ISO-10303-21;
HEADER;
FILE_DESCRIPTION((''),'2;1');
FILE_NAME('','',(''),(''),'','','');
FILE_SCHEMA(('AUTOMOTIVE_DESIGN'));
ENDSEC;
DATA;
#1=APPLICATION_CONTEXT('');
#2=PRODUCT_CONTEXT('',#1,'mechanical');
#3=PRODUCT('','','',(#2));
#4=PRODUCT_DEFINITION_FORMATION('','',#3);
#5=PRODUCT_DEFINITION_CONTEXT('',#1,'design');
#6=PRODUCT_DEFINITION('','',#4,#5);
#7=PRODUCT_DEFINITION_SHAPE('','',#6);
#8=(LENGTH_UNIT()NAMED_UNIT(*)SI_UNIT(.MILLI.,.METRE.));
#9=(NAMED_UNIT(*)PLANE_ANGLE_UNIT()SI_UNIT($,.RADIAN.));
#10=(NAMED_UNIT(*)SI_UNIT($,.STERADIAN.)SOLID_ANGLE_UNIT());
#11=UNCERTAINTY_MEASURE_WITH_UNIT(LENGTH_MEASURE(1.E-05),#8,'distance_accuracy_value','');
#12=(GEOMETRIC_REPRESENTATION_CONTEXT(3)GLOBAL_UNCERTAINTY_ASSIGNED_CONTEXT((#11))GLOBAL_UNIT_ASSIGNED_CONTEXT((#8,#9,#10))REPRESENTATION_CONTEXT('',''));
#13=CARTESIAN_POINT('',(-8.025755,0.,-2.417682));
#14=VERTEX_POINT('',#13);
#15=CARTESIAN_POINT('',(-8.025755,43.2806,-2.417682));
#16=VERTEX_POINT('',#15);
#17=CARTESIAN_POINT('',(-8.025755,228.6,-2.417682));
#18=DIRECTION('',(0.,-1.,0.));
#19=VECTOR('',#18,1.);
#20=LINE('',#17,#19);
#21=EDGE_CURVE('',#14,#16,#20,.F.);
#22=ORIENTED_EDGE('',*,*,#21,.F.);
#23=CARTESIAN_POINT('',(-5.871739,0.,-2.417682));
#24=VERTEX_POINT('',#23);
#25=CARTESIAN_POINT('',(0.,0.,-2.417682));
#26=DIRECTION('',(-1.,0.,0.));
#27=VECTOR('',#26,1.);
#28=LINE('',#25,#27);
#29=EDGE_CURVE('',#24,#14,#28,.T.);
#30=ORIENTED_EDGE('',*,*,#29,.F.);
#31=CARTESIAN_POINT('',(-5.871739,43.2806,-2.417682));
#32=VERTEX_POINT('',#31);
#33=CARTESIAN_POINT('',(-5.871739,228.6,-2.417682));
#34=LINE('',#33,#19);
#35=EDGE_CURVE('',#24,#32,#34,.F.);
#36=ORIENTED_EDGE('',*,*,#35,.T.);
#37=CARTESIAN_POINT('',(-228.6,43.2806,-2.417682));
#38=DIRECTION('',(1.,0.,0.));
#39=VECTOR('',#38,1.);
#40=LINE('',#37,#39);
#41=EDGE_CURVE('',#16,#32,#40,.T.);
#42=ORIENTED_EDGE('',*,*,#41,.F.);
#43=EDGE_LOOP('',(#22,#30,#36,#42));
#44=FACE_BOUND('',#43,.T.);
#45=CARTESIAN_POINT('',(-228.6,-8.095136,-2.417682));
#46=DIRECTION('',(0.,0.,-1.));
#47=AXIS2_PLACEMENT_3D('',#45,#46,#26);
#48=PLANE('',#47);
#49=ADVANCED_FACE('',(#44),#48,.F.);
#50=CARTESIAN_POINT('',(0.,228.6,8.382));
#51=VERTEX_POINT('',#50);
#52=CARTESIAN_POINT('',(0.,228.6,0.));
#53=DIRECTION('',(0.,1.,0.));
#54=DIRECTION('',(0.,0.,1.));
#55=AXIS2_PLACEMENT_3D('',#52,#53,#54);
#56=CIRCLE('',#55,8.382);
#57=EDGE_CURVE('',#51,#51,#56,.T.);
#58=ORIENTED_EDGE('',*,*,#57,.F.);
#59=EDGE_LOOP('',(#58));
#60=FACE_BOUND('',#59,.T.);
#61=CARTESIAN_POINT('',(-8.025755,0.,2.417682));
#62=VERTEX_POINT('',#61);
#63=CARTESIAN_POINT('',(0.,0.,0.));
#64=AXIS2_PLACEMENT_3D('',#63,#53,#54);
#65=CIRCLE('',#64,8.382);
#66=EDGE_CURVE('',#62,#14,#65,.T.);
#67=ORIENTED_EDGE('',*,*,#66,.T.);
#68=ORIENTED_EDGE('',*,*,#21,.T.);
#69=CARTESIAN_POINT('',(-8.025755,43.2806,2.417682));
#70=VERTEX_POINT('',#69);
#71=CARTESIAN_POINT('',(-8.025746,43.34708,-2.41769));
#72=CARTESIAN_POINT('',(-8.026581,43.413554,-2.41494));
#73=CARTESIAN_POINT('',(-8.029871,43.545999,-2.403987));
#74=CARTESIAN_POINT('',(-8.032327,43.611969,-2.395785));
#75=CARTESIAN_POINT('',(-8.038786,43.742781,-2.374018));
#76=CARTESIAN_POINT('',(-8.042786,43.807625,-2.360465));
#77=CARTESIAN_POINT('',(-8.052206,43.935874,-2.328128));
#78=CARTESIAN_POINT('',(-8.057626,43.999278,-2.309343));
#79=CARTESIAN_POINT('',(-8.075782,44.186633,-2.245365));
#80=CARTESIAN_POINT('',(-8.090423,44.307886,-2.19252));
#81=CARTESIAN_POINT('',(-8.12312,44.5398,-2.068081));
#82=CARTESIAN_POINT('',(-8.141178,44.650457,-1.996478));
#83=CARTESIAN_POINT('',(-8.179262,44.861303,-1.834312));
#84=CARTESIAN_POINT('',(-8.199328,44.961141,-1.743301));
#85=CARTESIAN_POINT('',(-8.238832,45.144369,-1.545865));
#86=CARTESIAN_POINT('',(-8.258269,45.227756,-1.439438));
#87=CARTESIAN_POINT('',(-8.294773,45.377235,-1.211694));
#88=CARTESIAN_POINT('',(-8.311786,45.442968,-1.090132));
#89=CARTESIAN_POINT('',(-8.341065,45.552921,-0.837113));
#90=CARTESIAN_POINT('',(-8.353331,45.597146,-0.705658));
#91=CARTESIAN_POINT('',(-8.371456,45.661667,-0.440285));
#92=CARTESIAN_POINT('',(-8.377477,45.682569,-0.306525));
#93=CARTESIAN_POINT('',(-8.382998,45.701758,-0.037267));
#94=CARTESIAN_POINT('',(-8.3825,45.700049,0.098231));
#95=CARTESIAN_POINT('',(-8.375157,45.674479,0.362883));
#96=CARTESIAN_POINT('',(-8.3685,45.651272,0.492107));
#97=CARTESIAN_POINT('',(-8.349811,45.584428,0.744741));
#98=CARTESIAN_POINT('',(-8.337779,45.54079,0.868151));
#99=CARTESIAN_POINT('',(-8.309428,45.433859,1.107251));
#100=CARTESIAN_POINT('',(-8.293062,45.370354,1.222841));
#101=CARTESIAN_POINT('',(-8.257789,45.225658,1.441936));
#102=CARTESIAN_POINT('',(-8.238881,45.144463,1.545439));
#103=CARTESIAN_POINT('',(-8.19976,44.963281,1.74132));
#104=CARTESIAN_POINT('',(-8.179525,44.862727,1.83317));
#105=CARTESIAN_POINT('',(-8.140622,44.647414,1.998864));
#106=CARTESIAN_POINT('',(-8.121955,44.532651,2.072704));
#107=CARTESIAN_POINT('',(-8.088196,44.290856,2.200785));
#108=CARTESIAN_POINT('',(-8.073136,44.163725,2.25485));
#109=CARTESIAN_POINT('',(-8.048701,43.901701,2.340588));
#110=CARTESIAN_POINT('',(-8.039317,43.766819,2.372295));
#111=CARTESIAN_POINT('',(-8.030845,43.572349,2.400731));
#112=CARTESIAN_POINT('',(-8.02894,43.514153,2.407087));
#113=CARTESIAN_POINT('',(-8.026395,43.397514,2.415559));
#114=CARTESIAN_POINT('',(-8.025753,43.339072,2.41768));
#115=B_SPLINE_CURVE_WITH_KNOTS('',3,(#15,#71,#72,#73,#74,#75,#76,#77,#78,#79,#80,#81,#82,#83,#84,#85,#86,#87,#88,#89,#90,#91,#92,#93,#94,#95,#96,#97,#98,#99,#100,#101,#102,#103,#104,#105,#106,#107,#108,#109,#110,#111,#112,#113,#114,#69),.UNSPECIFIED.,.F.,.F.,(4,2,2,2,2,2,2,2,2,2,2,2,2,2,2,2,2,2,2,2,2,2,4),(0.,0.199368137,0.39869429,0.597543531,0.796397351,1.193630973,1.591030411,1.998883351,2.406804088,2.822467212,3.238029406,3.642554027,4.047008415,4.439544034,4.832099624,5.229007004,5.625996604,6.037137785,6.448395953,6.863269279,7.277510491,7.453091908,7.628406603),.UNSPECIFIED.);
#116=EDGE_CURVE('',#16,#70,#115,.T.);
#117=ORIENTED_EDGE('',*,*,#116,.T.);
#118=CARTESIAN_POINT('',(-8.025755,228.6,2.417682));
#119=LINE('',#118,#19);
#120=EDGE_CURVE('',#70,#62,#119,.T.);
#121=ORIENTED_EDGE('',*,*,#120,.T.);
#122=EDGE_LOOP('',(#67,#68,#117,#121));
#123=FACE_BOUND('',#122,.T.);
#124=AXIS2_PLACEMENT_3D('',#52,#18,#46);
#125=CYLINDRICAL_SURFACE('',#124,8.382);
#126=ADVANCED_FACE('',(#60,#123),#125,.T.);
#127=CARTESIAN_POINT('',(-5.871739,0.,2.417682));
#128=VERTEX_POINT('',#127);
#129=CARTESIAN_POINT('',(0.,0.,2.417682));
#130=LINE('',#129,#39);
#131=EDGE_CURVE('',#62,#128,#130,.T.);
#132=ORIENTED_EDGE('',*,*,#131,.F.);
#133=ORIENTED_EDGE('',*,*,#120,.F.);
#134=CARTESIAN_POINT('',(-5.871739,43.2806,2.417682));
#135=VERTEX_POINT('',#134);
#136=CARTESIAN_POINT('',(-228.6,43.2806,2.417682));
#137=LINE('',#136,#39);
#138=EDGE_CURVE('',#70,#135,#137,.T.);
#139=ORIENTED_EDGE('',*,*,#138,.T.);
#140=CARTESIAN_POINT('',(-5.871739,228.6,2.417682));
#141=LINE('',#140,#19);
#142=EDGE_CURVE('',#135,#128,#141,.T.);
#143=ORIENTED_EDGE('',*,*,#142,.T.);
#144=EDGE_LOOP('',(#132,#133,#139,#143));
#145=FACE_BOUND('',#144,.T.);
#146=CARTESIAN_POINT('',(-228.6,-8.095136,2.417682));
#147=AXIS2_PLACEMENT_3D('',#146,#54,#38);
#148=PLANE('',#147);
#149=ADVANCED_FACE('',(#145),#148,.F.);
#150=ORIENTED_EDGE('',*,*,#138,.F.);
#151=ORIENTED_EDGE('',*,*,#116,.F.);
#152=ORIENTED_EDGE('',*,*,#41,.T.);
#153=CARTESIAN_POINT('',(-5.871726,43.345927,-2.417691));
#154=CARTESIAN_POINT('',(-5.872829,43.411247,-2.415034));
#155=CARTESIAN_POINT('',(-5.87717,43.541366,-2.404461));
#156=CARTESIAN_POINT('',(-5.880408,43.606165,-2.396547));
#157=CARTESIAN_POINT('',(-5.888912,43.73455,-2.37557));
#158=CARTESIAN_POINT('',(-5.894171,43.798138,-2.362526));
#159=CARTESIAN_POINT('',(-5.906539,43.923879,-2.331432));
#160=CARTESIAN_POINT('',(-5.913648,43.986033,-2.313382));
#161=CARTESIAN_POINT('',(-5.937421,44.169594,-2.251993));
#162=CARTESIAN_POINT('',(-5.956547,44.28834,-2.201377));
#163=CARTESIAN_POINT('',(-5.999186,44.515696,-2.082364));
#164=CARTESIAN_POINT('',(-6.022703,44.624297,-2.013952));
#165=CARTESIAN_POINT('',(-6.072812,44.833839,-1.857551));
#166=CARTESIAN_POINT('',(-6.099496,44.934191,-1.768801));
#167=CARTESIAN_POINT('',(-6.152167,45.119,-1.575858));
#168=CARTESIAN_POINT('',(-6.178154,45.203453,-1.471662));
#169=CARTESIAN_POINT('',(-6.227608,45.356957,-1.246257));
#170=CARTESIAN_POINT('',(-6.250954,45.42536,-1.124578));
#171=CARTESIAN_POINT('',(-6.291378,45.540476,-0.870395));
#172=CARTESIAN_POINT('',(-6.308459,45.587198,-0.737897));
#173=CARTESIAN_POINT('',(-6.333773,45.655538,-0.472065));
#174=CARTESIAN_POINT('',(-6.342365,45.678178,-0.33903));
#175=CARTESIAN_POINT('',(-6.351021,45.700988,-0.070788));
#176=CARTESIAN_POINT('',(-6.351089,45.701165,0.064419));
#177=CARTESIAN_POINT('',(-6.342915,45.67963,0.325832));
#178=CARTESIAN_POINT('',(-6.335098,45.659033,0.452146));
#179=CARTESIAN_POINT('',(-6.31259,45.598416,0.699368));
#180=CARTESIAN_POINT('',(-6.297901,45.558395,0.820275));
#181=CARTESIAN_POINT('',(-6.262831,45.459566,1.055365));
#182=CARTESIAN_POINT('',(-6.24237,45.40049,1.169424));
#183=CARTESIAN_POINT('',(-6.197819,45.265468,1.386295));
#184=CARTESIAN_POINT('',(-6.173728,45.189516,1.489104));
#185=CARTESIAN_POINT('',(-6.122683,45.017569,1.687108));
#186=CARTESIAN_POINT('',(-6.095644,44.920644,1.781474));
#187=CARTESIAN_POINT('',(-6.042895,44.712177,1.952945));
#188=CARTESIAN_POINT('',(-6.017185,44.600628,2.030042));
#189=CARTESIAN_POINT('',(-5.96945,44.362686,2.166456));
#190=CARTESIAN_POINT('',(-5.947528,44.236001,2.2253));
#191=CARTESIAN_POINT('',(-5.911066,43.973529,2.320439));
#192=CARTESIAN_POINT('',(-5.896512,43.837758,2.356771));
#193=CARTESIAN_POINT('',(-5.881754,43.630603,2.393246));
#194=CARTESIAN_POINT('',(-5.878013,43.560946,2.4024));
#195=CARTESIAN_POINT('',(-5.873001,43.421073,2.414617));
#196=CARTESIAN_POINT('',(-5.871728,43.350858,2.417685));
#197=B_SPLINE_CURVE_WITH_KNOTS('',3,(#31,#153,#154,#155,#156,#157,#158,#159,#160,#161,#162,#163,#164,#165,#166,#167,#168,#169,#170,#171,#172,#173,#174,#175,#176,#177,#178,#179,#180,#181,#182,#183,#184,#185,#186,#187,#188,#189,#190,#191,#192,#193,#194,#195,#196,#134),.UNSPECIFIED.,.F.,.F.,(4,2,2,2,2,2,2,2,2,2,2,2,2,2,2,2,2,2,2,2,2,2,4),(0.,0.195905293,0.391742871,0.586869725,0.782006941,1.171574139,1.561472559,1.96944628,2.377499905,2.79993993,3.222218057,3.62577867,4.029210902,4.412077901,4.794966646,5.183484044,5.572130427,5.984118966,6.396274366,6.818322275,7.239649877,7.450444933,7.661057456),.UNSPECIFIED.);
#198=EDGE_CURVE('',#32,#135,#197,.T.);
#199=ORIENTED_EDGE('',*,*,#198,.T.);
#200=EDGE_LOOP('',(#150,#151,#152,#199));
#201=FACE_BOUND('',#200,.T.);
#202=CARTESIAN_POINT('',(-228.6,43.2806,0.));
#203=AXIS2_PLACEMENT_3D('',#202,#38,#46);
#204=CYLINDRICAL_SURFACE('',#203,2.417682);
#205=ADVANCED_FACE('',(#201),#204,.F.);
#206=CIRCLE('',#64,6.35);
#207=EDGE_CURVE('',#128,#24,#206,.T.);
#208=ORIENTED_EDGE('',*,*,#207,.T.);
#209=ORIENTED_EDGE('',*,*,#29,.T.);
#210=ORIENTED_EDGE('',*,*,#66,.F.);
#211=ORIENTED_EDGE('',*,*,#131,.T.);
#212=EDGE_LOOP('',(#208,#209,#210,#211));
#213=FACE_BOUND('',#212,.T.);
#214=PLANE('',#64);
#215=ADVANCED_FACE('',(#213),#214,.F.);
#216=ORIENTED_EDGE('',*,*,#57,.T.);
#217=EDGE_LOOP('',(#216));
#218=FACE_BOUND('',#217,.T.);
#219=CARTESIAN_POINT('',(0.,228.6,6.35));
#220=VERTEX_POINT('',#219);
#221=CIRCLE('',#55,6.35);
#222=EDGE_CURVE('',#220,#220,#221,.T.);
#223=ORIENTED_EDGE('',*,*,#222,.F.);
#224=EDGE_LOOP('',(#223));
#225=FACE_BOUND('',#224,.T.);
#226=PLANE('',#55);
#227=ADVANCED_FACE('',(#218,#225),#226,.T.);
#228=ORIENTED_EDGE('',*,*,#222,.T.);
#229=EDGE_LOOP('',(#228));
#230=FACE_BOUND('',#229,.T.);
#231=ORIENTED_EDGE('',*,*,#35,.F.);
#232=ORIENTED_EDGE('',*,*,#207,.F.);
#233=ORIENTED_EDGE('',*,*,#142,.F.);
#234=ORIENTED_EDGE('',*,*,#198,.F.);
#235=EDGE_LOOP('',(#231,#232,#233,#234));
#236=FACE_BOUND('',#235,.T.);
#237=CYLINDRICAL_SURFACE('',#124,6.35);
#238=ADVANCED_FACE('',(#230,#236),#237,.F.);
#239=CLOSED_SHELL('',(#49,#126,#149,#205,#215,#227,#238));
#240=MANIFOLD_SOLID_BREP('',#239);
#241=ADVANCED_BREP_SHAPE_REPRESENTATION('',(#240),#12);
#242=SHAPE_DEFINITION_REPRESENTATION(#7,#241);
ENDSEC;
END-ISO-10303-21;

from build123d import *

# Parameters (mm, degrees)
SKETCH1_R           = 8.382
SKETCH1_R_2         = 6.35
BOSS_EXTRUDE1_DEPTH = 228.6
CUT_EXTRUDE1_DEPTH  = 228.6


with BuildPart() as part:
    # Sketch1 → Boss-Extrude1 (new body)
    with BuildSketch(Plane(origin=(0, 0, 0), x_dir=(1, 0, 0), z_dir=(0, 1, 0))):
        with Locations(Location((0, 0, 0), (0, 0, 270))):
            Circle(SKETCH1_R)
        with Locations(Location((0, 0, 0), (0, 0, 270))):
            Circle(SKETCH1_R_2, mode=Mode.SUBTRACT)
    extrude(amount=BOSS_EXTRUDE1_DEPTH)

    # Sketch3 → Cut-Extrude1 (cut)
    with BuildSketch(Plane(origin=(0, 0, 0), x_dir=(0, 0, -1), z_dir=(1, 0, 0))):
        with BuildLine():
            Line((-2.417681697, -8.09513592), (-2.417681697, 43.280600145))
            ThreePointArc((-2.417681697, 43.280600145), (0, 45.698281842), (2.417681697, 43.280600145))
            Line((2.417681697, 43.280600145), (2.417681697, -8.09513592))
            ThreePointArc((2.417681697, -8.09513592), (0, -10.512817617), (-2.417681697, -8.09513592))
        make_face()
    extrude(amount=-CUT_EXTRUDE1_DEPTH, mode=Mode.SUBTRACT)


solid = part.part
